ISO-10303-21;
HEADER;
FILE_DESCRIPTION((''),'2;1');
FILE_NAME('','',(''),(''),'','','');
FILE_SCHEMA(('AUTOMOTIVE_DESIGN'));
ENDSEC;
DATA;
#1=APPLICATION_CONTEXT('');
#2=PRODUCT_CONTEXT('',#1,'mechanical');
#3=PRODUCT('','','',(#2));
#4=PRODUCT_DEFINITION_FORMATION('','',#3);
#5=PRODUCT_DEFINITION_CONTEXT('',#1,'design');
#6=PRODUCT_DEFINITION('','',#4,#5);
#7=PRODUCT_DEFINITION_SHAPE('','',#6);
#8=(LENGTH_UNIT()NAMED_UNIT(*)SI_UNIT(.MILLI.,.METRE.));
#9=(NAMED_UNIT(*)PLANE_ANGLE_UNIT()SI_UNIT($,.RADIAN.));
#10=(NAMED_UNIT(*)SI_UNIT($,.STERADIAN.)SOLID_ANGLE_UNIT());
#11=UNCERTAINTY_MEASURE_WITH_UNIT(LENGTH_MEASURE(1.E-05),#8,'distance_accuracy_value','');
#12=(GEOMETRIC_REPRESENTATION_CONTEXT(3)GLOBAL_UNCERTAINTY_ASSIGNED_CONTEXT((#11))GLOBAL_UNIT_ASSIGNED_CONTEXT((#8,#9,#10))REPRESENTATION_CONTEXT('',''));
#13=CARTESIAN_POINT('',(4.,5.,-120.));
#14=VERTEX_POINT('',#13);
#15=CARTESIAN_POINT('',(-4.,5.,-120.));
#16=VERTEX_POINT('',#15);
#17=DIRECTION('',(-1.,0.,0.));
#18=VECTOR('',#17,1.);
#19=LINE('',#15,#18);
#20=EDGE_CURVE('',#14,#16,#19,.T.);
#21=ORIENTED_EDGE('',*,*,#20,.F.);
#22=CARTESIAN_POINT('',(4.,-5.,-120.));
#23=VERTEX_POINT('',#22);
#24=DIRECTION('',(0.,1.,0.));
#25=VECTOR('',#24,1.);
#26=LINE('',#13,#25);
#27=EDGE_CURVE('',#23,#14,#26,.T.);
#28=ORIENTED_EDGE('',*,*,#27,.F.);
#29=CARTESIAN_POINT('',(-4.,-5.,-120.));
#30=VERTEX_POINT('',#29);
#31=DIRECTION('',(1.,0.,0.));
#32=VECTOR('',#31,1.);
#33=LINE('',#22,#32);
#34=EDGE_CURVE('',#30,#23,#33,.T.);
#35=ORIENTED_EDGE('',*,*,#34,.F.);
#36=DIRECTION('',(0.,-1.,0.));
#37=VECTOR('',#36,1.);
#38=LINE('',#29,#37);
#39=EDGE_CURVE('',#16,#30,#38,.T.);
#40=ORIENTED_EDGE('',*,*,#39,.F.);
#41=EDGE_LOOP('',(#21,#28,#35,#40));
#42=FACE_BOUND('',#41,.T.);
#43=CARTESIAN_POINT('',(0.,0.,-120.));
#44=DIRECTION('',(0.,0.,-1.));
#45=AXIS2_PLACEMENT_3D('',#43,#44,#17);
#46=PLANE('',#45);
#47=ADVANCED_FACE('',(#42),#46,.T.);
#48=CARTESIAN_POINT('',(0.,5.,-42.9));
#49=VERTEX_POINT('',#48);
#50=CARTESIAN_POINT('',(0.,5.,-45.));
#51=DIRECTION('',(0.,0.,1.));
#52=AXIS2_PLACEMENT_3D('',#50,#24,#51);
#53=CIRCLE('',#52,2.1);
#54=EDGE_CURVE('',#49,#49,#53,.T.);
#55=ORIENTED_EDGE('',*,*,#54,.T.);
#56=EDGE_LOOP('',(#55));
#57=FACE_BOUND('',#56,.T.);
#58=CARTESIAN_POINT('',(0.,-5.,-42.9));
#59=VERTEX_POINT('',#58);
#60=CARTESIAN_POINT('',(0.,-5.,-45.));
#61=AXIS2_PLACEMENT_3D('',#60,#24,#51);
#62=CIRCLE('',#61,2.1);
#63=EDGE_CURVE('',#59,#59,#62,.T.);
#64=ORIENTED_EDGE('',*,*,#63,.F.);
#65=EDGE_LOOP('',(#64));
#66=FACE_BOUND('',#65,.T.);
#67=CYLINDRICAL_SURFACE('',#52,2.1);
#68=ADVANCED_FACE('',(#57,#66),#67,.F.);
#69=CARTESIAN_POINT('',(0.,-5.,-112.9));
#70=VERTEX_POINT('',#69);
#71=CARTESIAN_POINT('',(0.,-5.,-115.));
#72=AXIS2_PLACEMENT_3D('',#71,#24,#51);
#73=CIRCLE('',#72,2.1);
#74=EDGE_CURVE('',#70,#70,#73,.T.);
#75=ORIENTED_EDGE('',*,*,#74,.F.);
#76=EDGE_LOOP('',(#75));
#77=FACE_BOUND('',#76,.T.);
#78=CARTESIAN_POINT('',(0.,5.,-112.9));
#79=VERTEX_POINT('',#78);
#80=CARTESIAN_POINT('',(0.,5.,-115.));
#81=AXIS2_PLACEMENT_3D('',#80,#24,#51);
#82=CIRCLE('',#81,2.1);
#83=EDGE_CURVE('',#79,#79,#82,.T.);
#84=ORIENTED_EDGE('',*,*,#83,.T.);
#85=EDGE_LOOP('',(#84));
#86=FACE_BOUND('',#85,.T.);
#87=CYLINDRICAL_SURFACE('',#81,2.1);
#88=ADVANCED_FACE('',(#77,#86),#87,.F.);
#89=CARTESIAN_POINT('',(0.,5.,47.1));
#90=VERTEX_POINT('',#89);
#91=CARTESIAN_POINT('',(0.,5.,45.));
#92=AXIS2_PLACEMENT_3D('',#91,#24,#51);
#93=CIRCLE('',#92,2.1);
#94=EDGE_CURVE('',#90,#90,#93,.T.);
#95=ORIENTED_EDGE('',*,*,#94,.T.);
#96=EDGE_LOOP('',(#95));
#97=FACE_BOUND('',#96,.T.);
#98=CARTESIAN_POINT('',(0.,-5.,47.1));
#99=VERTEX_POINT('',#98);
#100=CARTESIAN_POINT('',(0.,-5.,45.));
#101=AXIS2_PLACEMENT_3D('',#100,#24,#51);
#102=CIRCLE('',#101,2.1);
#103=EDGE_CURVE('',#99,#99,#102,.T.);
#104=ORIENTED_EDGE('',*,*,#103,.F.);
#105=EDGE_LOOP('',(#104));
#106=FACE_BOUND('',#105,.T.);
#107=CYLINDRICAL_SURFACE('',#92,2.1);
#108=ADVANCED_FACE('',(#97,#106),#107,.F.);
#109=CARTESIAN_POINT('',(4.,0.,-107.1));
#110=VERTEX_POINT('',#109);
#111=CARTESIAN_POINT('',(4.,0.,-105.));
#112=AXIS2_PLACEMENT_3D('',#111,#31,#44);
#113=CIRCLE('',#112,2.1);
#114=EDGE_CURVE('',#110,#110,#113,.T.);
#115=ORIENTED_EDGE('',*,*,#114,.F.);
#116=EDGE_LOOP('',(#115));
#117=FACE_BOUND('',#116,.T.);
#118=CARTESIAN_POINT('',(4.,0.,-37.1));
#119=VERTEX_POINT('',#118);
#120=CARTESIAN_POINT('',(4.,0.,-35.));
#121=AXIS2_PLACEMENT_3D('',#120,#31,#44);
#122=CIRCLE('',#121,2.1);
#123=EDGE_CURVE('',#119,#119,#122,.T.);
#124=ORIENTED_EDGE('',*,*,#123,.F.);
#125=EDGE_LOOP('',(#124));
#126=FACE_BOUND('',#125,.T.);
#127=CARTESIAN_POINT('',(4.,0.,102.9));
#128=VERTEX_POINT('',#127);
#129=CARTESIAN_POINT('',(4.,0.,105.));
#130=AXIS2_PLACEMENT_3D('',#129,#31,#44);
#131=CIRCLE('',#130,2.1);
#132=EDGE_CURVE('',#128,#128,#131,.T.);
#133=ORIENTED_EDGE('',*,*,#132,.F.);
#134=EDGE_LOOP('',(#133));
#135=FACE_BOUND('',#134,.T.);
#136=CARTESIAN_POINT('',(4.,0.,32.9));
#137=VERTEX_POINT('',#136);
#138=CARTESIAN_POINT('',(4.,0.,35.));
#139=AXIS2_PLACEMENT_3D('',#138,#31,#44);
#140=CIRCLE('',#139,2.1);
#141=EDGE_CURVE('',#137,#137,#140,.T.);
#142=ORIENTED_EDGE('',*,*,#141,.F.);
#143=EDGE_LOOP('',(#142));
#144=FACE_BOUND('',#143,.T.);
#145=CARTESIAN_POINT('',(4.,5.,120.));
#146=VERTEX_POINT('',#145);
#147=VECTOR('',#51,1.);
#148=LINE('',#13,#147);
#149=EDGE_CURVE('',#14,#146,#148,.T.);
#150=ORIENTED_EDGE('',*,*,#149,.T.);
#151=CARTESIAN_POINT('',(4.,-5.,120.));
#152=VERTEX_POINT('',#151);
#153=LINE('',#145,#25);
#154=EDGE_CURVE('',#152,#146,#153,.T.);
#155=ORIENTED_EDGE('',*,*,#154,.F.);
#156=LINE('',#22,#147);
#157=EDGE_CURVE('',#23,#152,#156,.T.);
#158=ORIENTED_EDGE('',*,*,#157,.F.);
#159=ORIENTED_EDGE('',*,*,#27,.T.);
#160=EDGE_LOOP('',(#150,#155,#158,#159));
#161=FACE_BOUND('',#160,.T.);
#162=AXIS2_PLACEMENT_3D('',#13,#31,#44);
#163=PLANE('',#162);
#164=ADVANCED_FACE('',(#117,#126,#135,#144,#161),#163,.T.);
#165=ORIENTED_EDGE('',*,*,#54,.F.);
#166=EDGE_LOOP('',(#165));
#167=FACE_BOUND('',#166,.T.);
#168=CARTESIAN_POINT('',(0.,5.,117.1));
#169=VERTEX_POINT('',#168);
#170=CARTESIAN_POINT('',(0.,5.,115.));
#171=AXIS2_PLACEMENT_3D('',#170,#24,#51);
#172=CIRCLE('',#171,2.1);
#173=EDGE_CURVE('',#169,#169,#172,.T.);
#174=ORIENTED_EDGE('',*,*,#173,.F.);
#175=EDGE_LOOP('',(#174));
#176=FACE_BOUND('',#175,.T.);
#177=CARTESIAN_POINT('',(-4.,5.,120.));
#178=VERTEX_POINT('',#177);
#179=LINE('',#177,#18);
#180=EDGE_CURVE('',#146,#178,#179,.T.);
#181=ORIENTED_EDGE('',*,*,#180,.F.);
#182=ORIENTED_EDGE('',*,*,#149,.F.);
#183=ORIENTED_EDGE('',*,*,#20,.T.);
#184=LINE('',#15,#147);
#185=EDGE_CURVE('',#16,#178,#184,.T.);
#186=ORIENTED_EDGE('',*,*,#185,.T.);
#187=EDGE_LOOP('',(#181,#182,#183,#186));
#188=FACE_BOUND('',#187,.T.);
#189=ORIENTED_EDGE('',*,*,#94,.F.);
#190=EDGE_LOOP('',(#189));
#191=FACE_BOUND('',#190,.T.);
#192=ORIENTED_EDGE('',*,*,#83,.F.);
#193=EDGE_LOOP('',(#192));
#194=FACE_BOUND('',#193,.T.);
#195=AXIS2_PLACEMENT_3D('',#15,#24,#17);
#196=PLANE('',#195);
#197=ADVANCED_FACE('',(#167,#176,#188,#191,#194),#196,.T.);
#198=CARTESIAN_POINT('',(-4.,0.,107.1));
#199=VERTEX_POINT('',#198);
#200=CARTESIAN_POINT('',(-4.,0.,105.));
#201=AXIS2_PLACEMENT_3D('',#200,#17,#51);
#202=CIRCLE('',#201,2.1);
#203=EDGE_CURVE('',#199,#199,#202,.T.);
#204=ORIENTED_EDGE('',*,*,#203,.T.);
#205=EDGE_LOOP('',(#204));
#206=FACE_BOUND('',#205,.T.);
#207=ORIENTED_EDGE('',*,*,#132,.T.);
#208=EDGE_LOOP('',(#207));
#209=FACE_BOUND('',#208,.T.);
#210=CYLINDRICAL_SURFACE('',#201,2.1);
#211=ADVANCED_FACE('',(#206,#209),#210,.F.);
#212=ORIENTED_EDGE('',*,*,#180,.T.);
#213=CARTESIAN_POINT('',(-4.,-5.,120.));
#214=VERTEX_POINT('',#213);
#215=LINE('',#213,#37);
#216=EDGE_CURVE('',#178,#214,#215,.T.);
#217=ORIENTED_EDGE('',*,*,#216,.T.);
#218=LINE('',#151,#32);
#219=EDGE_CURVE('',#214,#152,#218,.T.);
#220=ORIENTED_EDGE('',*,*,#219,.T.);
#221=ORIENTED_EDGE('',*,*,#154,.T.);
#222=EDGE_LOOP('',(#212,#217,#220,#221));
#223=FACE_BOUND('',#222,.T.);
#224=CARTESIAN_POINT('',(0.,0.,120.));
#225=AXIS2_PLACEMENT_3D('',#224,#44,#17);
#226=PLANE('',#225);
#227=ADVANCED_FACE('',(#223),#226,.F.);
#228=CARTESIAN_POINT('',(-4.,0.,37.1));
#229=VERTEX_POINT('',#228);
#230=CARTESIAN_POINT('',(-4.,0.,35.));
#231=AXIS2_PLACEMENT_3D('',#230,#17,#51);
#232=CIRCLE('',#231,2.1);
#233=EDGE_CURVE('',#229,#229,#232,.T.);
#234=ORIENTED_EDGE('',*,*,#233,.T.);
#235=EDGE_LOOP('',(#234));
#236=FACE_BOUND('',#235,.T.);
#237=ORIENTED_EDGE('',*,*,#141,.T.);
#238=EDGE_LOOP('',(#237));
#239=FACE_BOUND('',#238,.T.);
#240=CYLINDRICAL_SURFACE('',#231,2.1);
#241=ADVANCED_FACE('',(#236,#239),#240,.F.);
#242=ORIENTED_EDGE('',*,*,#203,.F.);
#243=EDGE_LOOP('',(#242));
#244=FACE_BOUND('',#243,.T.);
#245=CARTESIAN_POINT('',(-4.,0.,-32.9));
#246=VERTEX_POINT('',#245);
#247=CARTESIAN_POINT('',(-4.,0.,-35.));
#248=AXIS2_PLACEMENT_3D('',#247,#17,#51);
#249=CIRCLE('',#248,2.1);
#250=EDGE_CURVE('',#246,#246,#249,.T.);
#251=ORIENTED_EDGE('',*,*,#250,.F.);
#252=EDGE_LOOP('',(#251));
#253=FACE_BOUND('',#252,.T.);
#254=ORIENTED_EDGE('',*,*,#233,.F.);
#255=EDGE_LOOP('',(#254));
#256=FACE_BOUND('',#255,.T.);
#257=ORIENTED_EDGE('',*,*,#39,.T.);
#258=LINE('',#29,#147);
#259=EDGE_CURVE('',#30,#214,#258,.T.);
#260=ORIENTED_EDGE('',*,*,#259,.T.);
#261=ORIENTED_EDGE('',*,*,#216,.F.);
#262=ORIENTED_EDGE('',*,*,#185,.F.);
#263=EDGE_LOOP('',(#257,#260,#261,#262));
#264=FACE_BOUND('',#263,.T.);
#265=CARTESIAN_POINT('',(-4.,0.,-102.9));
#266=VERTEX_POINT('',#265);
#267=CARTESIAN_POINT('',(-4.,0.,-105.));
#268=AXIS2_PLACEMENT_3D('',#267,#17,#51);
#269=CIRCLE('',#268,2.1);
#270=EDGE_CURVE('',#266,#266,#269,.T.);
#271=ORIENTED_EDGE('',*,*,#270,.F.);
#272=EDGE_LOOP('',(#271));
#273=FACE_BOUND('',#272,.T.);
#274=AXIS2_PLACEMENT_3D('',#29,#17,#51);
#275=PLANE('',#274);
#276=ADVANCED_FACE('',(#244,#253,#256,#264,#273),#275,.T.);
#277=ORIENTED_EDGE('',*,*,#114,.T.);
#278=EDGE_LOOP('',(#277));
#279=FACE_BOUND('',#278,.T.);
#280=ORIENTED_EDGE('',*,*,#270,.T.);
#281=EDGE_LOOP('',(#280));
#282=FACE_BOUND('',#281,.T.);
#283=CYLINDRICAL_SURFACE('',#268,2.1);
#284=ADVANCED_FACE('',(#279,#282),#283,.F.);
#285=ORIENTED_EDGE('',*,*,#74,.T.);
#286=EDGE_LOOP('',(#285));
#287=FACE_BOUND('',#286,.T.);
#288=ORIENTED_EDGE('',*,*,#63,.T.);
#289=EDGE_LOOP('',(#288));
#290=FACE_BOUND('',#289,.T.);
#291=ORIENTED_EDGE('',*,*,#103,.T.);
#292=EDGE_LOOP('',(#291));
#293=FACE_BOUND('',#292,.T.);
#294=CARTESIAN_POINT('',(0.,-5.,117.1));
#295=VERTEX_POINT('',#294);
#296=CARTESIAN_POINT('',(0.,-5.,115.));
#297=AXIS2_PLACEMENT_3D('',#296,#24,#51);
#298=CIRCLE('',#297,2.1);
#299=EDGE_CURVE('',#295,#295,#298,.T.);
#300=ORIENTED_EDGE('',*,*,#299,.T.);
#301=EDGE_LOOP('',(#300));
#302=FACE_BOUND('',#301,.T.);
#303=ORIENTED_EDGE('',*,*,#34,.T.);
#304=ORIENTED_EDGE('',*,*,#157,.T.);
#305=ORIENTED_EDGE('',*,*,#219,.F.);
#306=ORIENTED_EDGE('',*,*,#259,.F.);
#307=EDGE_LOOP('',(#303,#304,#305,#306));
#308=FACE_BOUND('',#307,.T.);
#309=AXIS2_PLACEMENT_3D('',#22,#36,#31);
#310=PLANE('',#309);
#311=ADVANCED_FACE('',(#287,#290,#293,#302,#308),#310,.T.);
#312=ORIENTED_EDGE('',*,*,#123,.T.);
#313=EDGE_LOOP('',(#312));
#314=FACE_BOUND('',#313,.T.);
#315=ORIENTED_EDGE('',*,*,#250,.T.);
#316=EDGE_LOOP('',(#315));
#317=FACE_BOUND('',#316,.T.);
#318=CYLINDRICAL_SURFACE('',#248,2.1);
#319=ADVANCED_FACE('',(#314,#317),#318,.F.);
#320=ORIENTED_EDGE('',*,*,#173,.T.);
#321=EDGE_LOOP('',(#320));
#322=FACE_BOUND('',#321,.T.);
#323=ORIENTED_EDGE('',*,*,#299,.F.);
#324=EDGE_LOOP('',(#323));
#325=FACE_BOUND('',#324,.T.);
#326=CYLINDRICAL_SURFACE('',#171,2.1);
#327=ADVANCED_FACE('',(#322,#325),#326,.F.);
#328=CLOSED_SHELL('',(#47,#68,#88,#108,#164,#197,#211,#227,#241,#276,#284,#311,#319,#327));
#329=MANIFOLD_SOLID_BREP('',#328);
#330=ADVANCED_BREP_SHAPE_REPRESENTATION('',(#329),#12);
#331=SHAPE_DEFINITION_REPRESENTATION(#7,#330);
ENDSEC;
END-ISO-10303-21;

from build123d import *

# Parameters (mm, degrees)
AUFSATZ_LINEAR_AUSTRAGEN1_DEPTH           = 120
AUFSATZ_LINEAR_AUSTRAGEN1_DEPTH_BACK      = 120
SKIZZE1_W                                 = 8
SKIZZE1_H                                 = 10
M5_GEWINDEBOHRUNG1_D                      = 4.2
F_4_2_4_2_DURCHMESSER_BOHRUNG1_AT_2_COUNT = 2
F_4_2_4_2_DURCHMESSER_BOHRUNG1_AT_2_PITCH = 70


with BuildPart() as part:
    # Skizze1 → Aufsatz-Linear austragen1 (new, two sides: drawn at the far end of the back side and taken through both)
    with BuildSketch(Plane.XY.offset(-AUFSATZ_LINEAR_AUSTRAGEN1_DEPTH_BACK)):
        Rectangle(SKIZZE1_W, SKIZZE1_H)
    extrude(amount=AUFSATZ_LINEAR_AUSTRAGEN1_DEPTH + AUFSATZ_LINEAR_AUSTRAGEN1_DEPTH_BACK)

    # M5 Gewindebohrung1 (through all)
    with Locations(Plane(origin=(0, 5, 0), x_dir=(1, 0, 0), z_dir=(0, 1, 0))):
        with Locations((0, -115), (0, -45)):
            m5_gewindebohrung1 = Hole(M5_GEWINDEBOHRUNG1_D / 2)

    # Skizze4 → Ø4.2 (4.2) Durchmesser Bohrung1 (revolve, cut)
    with BuildSketch(Plane(origin=(-4, 0, 105), x_dir=(0, 0, 1), z_dir=(0, 1, 0))):
        Polygon((0, 0), (0, 11.2618073), (2.1, 10), (2.1, 0), align=None)
    f_4_2_4_2_durchmesser_bohrung1 = revolve(axis=Axis((-10.35, 0, 105), (1, 0, 0)), mode=Mode.SUBTRACT)

    # Ø4.2 (4.2) Durchmesser Bohrung1 at 2: Ø4.2 (4.2) Durchmesser Bohrung1 ×2
    with Locations(*[(0, 0, -i * F_4_2_4_2_DURCHMESSER_BOHRUNG1_AT_2_PITCH) for i in range(1, F_4_2_4_2_DURCHMESSER_BOHRUNG1_AT_2_COUNT)]):
        add(f_4_2_4_2_durchmesser_bohrung1, mode=Mode.SUBTRACT)

    # Spiegeln1: M5 Gewindebohrung1, Ø4.2 (4.2) Durchmesser Bohrung1 across plane
    add(m5_gewindebohrung1.mirror(Plane.XY), mode=Mode.SUBTRACT)
    add(f_4_2_4_2_durchmesser_bohrung1.mirror(Plane.XY), mode=Mode.SUBTRACT)

    # Spiegeln1 copy 1 sketch → Spiegeln1 copy 1 (revolve, cut)
    with BuildSketch(Plane(origin=(-4, 0, -35), x_dir=(0, 0, -1), z_dir=(0, 1, 0))):
        Polygon((0, 0), (0, -11.2618073), (2.1, -10), (2.1, 0), align=None)
    revolve(axis=Axis((-10.35, 0, -35), (-1, 0, 0)), mode=Mode.SUBTRACT)


solid = part.part
